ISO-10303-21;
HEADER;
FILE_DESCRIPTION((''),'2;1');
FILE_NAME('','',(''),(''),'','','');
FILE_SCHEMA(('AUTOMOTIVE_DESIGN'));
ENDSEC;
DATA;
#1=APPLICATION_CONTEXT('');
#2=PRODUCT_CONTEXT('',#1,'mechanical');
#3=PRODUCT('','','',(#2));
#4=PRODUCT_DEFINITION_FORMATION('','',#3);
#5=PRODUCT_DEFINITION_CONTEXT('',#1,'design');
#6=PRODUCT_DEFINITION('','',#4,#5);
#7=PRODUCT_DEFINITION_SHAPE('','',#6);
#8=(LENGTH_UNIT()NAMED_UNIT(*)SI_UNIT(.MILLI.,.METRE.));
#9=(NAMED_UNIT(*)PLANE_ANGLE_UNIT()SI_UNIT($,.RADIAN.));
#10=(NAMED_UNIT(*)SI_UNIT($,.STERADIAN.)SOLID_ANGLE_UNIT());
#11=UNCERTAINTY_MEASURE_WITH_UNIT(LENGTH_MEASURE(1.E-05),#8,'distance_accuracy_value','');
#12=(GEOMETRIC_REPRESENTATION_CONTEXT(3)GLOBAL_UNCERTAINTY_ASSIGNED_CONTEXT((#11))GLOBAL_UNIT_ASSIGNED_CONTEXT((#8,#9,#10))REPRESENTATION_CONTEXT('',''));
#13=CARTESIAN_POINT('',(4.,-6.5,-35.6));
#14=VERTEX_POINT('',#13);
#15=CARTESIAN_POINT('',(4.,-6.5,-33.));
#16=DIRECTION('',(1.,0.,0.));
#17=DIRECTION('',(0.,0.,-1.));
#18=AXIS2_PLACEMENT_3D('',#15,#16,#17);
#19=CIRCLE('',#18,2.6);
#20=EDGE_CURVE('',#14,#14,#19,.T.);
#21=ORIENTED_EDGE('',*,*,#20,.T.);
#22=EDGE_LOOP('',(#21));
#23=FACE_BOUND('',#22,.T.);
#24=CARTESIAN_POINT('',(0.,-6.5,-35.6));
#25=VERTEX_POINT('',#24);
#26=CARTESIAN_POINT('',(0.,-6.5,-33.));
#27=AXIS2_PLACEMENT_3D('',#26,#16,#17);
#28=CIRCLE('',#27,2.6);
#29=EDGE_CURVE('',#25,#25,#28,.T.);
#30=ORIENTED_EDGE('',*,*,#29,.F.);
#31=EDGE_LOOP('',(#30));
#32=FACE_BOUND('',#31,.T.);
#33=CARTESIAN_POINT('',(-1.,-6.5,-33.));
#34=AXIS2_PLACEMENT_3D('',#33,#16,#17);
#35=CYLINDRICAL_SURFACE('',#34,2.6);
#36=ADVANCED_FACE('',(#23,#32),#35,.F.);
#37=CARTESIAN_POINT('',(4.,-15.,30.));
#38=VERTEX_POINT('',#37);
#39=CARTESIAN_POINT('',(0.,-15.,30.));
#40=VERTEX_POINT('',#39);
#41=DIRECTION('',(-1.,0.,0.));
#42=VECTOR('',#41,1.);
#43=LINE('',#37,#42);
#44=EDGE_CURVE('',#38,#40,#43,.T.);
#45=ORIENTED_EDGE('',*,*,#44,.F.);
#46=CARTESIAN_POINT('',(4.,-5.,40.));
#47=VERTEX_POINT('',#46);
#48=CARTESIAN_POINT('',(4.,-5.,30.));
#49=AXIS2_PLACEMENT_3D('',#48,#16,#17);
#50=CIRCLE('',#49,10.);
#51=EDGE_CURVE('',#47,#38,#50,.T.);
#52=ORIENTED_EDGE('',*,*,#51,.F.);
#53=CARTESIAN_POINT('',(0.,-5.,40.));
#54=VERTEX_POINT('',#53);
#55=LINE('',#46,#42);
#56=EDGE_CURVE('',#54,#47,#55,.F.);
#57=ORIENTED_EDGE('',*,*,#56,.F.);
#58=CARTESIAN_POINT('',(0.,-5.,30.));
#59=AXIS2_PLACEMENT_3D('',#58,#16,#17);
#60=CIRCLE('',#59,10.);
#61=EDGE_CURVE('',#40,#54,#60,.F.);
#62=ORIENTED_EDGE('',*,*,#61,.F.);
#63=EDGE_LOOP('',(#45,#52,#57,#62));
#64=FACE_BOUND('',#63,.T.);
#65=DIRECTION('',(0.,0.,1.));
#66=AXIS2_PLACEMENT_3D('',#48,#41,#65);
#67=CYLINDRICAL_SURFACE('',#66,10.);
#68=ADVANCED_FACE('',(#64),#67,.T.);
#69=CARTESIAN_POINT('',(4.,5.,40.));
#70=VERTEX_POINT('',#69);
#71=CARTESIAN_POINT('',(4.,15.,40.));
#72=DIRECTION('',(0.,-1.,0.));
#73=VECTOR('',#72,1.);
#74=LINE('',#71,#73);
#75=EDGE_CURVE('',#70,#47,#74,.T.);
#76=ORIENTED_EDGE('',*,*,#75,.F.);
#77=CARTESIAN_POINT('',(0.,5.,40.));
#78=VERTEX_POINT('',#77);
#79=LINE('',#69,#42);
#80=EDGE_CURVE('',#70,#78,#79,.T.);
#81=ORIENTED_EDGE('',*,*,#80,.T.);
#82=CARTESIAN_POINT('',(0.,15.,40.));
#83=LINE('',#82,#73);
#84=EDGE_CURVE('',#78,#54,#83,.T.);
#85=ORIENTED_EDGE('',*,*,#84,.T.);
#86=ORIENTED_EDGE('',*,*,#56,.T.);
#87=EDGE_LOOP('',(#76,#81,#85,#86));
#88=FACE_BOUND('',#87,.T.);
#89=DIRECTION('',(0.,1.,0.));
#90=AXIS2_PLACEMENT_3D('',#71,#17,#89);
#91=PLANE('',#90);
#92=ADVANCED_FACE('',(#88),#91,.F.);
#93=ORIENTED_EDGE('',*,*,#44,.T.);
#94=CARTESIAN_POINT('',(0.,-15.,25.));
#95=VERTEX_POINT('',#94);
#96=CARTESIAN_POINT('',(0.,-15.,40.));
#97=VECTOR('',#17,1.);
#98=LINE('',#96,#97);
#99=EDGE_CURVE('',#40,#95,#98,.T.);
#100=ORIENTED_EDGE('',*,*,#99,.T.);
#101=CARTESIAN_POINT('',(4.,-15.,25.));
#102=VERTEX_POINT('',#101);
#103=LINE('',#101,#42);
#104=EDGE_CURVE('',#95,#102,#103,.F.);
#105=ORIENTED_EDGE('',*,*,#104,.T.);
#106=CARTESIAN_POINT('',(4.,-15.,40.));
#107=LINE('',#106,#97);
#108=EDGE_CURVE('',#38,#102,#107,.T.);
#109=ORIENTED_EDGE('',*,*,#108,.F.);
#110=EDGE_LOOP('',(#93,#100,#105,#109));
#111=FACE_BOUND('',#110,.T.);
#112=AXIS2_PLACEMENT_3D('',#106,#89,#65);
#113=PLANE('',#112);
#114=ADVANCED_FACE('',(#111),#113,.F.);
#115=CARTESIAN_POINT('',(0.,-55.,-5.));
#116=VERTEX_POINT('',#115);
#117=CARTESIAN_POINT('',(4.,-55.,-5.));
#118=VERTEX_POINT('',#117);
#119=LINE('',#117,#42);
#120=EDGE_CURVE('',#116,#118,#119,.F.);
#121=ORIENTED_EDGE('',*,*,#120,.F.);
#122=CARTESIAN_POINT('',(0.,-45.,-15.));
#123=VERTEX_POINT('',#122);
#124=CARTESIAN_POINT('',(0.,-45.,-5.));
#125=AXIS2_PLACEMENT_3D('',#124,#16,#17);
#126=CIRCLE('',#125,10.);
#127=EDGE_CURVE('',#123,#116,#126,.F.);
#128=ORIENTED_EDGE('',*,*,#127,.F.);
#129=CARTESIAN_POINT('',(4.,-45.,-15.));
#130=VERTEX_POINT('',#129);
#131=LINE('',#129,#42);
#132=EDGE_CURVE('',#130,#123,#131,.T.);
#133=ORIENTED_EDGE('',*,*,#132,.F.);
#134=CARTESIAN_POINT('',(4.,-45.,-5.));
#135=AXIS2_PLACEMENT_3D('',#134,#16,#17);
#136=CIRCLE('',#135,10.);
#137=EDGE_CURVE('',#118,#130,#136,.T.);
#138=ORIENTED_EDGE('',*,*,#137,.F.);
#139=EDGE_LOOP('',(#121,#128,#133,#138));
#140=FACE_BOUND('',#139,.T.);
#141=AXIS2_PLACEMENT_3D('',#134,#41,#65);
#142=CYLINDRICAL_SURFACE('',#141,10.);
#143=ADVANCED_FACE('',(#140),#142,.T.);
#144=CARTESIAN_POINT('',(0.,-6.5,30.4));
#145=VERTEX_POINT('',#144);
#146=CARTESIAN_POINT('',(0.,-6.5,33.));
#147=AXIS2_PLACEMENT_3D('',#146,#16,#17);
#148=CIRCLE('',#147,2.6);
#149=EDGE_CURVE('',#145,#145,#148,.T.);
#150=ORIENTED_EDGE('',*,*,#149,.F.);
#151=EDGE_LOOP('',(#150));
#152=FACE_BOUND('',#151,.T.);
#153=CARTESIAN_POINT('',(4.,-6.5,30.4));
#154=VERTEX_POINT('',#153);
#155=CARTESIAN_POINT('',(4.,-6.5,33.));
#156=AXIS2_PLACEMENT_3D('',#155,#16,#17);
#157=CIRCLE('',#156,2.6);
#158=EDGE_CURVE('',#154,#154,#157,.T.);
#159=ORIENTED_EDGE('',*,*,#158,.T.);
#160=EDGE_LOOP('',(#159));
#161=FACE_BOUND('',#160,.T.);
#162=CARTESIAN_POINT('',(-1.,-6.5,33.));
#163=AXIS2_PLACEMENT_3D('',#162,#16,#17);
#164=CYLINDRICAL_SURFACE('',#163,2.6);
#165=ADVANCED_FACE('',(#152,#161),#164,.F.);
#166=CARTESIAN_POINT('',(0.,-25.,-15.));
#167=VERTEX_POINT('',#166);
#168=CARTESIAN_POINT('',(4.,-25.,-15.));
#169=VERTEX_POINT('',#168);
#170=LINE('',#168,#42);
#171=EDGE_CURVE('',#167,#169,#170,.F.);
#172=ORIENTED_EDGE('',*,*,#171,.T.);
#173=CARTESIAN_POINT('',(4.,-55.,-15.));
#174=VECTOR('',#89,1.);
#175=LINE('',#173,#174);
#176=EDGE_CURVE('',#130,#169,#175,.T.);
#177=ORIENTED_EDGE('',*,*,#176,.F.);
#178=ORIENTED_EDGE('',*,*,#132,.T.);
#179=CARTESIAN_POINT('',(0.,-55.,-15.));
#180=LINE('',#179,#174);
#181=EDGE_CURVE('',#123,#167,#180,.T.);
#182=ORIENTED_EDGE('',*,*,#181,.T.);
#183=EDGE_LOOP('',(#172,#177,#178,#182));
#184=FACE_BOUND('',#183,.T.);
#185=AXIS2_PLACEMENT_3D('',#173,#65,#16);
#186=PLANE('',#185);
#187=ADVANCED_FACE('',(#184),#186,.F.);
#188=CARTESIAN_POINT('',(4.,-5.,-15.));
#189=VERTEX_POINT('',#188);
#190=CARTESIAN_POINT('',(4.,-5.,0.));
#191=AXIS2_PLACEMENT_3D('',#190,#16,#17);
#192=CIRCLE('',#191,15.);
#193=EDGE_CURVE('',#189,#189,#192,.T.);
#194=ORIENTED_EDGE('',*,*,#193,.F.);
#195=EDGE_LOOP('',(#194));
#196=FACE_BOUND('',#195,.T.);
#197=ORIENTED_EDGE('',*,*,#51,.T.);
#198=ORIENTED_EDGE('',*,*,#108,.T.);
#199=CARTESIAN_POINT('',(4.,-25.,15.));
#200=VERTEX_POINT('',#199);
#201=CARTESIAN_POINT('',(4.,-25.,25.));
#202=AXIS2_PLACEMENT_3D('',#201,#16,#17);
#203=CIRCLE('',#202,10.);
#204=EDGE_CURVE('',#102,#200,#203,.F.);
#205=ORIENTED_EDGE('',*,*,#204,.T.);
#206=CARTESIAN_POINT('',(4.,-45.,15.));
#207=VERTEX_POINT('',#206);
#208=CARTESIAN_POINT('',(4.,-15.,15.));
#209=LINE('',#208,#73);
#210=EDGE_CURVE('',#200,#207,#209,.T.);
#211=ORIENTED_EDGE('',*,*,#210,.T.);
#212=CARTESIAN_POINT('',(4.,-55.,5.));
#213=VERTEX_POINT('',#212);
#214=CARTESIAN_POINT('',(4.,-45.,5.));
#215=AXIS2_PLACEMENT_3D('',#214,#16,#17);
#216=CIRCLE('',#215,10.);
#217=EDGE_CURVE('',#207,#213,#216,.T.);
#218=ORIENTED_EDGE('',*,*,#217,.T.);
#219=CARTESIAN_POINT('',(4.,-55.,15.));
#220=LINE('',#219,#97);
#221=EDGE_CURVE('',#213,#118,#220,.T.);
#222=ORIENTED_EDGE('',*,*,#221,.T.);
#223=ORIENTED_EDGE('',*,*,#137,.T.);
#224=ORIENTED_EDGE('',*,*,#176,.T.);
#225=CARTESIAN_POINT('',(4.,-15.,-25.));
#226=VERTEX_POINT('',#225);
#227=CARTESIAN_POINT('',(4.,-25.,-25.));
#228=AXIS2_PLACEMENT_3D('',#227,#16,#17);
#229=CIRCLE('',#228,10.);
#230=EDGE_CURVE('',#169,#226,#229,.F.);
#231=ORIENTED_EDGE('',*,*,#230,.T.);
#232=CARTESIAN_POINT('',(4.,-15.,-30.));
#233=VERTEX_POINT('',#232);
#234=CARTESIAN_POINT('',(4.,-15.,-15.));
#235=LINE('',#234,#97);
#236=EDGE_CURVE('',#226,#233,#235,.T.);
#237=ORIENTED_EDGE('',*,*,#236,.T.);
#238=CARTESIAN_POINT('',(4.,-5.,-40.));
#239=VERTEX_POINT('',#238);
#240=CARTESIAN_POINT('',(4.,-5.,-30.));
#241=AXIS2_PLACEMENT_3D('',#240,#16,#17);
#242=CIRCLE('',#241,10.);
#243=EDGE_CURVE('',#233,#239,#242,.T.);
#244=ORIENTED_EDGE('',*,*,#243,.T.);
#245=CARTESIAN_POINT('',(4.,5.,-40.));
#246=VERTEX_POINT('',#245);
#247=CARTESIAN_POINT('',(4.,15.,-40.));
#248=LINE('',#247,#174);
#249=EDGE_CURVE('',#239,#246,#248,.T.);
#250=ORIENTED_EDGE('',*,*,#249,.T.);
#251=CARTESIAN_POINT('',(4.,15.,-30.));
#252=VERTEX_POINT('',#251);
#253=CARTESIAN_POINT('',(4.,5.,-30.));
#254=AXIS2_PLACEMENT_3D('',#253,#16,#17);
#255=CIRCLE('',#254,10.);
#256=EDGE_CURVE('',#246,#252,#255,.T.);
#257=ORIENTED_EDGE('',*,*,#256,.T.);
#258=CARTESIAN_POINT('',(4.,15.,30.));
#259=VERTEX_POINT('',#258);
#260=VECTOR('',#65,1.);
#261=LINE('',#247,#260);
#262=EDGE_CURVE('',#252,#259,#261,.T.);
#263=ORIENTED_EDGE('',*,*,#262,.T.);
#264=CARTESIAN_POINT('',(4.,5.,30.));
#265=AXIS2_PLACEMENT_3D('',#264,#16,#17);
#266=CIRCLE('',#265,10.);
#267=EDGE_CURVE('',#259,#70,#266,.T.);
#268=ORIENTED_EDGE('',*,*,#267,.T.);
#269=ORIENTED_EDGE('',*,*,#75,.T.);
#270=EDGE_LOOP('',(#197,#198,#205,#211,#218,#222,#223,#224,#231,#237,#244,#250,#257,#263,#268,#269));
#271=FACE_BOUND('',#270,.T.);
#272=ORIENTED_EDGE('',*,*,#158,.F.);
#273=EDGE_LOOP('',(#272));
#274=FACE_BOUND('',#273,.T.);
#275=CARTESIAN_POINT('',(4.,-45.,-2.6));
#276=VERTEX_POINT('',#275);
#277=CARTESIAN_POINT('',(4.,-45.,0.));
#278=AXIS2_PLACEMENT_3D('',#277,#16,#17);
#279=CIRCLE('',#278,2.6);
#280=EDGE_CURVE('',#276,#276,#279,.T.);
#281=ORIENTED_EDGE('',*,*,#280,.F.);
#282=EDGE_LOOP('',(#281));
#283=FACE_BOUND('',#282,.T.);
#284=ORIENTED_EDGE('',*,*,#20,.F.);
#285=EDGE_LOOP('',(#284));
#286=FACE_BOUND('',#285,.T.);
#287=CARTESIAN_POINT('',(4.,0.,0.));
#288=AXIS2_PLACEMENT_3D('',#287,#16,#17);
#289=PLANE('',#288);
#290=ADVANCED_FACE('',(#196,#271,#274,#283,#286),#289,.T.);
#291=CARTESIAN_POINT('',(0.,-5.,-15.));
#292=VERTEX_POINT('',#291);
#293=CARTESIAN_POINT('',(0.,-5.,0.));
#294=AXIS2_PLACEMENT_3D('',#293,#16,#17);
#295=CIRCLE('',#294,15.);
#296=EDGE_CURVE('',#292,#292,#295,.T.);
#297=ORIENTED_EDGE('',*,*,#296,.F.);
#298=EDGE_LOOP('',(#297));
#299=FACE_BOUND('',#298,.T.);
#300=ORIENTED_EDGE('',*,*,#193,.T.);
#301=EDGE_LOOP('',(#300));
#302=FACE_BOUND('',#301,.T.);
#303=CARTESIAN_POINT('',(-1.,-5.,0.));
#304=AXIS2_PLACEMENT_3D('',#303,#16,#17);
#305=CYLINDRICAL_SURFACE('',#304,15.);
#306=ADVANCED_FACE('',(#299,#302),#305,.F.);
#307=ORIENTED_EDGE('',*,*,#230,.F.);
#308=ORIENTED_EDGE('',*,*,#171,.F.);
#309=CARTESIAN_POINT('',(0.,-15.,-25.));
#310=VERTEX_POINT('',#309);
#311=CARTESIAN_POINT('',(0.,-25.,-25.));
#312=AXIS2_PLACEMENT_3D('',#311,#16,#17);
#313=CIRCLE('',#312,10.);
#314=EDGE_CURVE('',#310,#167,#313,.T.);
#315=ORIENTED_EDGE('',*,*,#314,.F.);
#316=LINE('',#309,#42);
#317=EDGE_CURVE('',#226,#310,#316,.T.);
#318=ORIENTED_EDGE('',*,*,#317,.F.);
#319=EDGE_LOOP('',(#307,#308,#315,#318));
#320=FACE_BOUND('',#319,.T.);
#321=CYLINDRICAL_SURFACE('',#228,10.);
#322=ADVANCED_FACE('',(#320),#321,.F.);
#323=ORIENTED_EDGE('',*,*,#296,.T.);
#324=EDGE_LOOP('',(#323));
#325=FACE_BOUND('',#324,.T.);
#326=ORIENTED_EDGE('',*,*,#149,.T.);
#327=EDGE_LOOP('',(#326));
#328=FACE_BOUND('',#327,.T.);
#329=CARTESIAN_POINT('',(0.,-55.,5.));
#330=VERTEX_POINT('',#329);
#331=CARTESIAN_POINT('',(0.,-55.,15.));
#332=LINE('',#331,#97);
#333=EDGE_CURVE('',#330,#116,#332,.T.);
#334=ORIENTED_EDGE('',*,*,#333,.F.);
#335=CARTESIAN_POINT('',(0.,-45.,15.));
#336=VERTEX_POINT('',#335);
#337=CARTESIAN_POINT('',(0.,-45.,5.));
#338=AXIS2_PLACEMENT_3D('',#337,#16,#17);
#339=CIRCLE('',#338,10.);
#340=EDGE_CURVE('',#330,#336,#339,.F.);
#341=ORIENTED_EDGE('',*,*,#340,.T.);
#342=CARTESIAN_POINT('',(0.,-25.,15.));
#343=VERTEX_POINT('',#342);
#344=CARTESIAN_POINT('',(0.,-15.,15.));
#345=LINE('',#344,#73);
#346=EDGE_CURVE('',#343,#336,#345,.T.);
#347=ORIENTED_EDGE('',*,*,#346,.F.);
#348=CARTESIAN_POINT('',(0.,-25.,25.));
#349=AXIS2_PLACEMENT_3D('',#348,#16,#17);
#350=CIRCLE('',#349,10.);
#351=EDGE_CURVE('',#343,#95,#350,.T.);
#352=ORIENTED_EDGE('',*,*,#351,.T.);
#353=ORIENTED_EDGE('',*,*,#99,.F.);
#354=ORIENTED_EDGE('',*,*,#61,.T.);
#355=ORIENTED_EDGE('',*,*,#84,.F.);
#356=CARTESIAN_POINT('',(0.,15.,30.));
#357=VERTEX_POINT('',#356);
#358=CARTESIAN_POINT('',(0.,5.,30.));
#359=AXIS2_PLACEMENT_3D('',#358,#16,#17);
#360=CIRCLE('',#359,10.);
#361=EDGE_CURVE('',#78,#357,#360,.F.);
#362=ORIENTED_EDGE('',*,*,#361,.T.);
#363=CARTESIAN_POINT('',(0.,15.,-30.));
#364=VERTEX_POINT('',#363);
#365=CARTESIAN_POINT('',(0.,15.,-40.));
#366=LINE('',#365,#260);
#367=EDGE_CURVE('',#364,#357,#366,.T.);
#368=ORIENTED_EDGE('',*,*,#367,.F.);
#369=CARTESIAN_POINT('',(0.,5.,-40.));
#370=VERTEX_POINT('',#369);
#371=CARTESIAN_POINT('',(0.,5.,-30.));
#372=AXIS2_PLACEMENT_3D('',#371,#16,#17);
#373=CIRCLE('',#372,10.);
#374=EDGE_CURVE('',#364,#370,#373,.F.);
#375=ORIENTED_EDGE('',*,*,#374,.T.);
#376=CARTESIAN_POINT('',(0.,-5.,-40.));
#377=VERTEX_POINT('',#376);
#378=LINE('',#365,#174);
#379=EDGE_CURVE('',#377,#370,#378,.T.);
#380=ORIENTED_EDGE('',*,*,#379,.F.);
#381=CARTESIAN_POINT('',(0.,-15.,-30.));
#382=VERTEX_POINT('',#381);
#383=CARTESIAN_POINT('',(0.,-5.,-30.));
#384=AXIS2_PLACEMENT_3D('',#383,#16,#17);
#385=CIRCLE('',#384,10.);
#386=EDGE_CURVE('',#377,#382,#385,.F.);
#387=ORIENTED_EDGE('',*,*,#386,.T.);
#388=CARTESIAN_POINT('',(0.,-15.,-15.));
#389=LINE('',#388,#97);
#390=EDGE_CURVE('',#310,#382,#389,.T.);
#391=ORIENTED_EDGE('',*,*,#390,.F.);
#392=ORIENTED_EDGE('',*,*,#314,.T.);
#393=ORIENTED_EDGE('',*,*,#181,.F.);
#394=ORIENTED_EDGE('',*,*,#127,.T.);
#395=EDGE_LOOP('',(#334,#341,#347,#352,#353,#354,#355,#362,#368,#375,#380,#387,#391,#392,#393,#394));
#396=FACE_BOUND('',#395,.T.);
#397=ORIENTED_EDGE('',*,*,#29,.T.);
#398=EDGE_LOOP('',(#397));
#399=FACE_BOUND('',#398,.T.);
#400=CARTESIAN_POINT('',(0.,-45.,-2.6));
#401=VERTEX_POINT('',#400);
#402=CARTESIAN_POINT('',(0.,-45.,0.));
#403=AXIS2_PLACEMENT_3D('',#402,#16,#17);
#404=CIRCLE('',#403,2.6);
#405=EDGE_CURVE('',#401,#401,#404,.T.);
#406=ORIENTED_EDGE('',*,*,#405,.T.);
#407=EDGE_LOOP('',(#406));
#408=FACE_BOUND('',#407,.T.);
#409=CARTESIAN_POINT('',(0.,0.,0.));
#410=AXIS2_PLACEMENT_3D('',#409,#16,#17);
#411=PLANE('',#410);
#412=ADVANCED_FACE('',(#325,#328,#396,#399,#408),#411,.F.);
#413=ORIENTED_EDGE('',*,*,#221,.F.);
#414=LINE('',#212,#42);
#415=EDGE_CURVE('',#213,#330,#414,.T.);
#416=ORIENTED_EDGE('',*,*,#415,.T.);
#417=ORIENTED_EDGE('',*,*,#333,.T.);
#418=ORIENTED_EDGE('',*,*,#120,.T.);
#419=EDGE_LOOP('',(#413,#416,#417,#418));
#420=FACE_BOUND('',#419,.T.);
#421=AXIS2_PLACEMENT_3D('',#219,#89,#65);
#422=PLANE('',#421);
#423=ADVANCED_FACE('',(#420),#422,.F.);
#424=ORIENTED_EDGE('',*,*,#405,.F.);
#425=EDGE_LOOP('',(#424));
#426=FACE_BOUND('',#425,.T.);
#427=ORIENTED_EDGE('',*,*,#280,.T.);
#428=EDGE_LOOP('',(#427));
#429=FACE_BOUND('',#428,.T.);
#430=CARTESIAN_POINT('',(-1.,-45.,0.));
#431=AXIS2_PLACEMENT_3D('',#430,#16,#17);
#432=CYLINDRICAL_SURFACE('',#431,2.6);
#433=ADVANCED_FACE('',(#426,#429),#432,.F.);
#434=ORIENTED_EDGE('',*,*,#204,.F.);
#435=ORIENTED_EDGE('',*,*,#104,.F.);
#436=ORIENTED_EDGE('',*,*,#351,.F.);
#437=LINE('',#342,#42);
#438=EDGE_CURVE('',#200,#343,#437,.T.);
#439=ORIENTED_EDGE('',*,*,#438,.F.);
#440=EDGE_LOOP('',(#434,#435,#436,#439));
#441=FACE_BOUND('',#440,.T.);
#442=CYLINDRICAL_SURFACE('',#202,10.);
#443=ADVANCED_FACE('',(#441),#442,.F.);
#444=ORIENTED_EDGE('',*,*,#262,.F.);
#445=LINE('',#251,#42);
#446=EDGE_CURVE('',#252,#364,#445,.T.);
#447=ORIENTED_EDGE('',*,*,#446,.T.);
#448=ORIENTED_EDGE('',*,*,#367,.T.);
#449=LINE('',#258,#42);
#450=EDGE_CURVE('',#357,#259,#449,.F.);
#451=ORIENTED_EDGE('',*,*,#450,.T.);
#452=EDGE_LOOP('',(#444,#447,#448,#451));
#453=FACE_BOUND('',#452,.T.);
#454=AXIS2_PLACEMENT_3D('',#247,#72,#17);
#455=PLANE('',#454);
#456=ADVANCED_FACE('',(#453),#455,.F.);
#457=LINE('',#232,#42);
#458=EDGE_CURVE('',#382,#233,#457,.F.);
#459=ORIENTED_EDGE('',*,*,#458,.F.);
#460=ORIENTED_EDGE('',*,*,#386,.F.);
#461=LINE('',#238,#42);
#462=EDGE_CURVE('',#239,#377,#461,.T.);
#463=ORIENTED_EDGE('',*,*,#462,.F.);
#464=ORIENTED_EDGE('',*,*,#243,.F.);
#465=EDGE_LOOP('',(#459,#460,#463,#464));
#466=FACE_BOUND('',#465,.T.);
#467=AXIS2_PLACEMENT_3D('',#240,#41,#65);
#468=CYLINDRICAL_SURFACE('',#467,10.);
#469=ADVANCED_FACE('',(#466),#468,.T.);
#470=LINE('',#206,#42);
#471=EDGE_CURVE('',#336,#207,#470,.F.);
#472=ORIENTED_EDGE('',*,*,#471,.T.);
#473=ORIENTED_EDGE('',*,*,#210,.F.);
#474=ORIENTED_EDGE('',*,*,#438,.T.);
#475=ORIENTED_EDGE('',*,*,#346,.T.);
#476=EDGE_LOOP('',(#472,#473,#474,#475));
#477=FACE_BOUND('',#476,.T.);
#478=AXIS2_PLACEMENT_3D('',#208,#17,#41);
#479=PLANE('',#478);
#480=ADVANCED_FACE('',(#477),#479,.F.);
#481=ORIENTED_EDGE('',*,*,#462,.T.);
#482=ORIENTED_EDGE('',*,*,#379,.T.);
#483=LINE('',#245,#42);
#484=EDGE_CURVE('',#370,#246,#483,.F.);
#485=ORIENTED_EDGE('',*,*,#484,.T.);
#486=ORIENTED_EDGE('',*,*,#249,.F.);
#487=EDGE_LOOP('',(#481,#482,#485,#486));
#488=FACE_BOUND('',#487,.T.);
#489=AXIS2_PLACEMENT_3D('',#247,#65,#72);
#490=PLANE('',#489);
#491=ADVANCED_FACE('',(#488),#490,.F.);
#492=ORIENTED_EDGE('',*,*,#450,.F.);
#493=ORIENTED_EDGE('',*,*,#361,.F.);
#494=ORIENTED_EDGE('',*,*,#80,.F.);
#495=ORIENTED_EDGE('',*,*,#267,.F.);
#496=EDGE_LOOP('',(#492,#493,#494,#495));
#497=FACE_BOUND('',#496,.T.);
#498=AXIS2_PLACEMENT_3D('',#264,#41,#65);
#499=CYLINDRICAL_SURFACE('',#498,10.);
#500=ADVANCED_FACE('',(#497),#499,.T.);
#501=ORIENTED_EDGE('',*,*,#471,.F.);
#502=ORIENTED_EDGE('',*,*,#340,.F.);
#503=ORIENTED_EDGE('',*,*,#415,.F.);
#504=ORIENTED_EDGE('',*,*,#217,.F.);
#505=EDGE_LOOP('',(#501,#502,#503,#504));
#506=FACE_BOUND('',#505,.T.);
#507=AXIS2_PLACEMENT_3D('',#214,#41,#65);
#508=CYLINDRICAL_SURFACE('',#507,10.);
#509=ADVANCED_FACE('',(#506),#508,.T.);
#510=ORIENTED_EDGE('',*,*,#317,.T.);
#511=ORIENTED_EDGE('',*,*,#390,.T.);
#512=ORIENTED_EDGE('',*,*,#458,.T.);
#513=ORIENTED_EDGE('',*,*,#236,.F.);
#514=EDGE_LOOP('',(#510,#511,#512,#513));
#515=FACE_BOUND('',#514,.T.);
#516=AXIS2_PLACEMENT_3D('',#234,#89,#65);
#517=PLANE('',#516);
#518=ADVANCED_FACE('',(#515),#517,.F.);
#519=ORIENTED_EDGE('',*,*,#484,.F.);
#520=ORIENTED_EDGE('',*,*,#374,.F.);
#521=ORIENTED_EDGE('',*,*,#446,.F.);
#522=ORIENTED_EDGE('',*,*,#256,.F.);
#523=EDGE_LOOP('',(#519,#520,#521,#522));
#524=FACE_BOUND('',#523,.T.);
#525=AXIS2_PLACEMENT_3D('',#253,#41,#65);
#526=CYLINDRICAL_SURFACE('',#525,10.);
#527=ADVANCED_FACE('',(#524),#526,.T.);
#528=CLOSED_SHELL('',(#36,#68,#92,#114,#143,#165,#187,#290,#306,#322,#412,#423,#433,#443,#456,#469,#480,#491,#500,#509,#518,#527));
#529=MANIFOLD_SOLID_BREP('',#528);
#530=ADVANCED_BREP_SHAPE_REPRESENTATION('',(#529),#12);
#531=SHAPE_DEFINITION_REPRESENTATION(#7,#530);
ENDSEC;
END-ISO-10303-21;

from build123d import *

# Parameters (mm, degrees)
BOSS_EXTRUDE1_DEPTH = 4
SKETCH2_R           = 15
SKETCH2_R_2         = 2.6
CUT_EXTRUDE1_DEPTH  = 5
FILLET1_R           = 10


with BuildPart() as part:
    # Sketch1 → Boss-Extrude1 (new body)
    with BuildSketch(Plane(origin=(0, 0, 0), x_dir=(0, 0, -1), z_dir=(1, 0, 0))):
        Polygon((-40, -15), (-15, -15), (-15, -55), (15, -55), (15, -15), (40, -15), (40, 15), (-40, 15), align=None)
    extrude(amount=BOSS_EXTRUDE1_DEPTH)

    # Sketch2 → Cut-Extrude1 (cut)
    with BuildSketch(Plane(origin=(4, 0, 0), x_dir=(0, 0, -1), z_dir=(1, 0, 0))):
        with Locations((0, -5)):
            Circle(SKETCH2_R)
        with Locations((0, -45)):
            Circle(SKETCH2_R_2)
        with Locations((-33, -6.5)):
            Circle(SKETCH2_R_2)
        with Locations((33, -6.5)):
            Circle(SKETCH2_R_2)
    extrude(amount=-CUT_EXTRUDE1_DEPTH, mode=Mode.SUBTRACT)

    # Fillet1
    fillet1_edges = [part.edges().sort_by_distance(p)[0] for p in [
        (2, 15, 40),
        (2, 15, -40),
        (2, -15, -40),
        (2, -15, -15),
        (2, -55, -15),
        (2, -55, 15),
        (2, -15, 15),
        (2, -15, 40),
    ]]
    fillet(fillet1_edges, radius=FILLET1_R)


solid = part.part
